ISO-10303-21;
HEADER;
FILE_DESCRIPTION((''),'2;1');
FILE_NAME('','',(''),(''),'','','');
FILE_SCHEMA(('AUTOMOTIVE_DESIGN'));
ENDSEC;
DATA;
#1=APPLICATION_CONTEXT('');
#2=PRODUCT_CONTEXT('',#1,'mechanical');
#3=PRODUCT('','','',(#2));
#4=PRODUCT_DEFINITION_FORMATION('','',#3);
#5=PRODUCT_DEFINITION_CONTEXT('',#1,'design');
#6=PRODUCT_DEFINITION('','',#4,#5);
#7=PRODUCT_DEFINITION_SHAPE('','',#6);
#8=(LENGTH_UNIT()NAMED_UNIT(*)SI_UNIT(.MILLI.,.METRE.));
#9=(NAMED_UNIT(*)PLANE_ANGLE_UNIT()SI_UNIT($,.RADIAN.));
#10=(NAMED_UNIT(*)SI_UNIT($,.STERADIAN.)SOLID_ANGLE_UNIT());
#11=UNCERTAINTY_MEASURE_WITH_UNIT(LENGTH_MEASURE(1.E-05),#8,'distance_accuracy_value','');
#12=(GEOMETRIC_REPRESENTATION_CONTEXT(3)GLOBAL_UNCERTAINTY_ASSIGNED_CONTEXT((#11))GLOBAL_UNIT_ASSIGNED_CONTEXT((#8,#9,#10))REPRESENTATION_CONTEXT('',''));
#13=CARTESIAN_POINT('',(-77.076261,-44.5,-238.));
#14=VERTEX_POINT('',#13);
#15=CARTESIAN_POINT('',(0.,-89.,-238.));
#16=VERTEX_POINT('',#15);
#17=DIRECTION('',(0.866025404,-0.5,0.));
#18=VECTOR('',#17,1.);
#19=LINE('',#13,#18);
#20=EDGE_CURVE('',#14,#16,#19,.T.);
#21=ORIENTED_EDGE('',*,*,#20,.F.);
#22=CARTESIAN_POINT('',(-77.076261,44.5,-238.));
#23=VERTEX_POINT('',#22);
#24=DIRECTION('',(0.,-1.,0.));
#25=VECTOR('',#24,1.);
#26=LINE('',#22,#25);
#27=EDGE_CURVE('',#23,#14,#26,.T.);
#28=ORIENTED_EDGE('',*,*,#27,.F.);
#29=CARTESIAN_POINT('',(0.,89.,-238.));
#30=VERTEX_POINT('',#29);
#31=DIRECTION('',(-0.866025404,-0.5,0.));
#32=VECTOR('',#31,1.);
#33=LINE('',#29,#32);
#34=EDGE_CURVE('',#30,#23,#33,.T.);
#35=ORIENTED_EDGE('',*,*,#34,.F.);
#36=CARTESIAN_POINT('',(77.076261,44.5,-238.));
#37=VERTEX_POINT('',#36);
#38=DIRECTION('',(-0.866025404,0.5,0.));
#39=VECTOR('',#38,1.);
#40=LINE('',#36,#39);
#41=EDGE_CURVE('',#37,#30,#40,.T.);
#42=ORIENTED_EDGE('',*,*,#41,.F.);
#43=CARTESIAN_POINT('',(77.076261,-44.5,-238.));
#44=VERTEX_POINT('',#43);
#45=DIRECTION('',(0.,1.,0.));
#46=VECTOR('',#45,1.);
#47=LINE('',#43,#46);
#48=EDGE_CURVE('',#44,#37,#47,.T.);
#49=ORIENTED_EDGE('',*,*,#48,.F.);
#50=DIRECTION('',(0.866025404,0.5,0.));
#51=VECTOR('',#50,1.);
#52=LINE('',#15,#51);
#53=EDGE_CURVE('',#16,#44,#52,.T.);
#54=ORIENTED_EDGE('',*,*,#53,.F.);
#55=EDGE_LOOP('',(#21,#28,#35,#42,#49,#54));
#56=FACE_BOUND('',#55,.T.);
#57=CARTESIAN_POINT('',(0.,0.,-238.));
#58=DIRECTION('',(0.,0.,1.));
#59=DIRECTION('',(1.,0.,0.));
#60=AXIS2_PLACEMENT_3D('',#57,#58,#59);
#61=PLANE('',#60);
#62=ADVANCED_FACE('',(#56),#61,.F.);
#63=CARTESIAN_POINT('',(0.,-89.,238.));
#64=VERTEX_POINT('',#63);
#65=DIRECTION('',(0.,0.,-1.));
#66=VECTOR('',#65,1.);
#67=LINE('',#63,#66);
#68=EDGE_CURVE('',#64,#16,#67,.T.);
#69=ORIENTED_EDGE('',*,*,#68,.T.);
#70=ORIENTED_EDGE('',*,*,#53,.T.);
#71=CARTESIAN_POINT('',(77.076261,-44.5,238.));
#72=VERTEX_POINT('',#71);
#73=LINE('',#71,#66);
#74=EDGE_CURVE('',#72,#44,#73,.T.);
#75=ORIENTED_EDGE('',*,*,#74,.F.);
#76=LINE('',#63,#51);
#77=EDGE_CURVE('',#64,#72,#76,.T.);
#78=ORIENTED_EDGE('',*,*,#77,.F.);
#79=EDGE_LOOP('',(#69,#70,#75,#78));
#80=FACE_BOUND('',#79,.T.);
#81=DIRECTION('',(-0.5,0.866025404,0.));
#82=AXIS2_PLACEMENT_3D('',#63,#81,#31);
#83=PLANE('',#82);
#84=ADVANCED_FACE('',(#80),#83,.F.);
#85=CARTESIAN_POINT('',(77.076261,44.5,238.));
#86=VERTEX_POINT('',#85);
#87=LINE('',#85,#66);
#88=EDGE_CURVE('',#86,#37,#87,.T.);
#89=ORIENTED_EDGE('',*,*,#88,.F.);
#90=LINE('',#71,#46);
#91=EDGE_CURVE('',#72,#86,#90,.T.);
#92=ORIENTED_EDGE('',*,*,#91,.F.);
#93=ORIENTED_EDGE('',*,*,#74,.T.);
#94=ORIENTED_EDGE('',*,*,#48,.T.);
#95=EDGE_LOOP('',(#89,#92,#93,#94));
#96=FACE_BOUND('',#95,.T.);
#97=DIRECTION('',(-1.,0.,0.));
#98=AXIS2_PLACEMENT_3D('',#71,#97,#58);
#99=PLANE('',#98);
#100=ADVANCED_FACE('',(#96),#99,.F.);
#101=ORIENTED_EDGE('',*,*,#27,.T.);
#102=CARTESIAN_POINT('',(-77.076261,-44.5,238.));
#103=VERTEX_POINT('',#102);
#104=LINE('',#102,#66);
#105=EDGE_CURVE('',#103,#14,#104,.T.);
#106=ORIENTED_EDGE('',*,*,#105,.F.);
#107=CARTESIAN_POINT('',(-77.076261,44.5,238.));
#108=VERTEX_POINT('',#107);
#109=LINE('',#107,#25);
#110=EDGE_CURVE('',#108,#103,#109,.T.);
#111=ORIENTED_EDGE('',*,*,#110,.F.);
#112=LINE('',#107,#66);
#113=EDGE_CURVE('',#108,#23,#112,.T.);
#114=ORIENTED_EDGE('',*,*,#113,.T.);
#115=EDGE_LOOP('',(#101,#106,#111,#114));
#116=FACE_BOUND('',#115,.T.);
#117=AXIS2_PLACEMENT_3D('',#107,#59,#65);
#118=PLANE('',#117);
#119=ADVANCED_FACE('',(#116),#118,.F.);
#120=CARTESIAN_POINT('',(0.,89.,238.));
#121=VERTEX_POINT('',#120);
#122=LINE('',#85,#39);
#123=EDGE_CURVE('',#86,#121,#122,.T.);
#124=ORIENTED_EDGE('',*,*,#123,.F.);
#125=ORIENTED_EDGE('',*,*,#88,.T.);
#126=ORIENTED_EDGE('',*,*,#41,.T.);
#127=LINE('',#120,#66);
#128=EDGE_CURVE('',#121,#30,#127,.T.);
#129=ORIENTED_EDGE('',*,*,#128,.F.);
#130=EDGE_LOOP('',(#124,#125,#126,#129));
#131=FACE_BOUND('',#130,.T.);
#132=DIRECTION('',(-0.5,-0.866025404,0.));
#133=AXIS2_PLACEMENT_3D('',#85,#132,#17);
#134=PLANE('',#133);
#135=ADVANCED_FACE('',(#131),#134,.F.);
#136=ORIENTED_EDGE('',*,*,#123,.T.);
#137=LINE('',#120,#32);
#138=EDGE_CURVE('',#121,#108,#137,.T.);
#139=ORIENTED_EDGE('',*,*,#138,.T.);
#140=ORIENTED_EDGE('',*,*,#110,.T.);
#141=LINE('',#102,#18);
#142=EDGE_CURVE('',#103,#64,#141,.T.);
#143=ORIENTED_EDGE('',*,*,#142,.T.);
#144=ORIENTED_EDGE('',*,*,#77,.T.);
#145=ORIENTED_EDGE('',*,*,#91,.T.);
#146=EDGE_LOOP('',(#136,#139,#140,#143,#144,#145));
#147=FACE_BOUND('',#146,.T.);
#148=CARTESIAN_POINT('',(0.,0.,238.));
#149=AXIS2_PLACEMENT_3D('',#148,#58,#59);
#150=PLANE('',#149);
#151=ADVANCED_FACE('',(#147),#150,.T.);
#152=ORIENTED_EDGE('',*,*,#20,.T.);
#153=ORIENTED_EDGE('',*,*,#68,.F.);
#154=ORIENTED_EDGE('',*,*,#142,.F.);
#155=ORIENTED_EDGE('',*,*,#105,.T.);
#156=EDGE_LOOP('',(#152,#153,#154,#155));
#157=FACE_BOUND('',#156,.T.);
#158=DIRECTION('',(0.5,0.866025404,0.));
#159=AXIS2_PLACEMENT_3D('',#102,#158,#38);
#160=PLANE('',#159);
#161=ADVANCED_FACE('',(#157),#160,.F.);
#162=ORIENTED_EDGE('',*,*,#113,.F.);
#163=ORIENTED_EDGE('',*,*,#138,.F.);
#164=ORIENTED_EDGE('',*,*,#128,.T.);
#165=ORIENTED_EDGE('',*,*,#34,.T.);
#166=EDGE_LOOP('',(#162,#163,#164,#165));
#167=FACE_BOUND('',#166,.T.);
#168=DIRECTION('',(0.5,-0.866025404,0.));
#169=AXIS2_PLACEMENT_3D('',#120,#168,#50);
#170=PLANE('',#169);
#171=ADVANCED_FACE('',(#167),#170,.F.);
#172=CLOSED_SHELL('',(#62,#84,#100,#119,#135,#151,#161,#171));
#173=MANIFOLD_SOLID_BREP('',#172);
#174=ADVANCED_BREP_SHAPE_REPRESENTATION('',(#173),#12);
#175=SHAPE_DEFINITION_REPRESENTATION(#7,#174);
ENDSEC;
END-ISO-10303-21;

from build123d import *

# Parameters (mm, degrees)
BOSS_EXTRUDE1_DEPTH = 238


with BuildPart() as part:
    # Sketch2 → Boss-Extrude1 (new body, symmetric)
    with BuildSketch(Plane.XY):
        Polygon((0, 89), (-77.076260937, 44.5), (-77.076260937, -44.5), (0, -89), (77.076260937, -44.5), (77.076260937, 44.5), align=None)
    extrude(amount=BOSS_EXTRUDE1_DEPTH, both=True)


solid = part.part
